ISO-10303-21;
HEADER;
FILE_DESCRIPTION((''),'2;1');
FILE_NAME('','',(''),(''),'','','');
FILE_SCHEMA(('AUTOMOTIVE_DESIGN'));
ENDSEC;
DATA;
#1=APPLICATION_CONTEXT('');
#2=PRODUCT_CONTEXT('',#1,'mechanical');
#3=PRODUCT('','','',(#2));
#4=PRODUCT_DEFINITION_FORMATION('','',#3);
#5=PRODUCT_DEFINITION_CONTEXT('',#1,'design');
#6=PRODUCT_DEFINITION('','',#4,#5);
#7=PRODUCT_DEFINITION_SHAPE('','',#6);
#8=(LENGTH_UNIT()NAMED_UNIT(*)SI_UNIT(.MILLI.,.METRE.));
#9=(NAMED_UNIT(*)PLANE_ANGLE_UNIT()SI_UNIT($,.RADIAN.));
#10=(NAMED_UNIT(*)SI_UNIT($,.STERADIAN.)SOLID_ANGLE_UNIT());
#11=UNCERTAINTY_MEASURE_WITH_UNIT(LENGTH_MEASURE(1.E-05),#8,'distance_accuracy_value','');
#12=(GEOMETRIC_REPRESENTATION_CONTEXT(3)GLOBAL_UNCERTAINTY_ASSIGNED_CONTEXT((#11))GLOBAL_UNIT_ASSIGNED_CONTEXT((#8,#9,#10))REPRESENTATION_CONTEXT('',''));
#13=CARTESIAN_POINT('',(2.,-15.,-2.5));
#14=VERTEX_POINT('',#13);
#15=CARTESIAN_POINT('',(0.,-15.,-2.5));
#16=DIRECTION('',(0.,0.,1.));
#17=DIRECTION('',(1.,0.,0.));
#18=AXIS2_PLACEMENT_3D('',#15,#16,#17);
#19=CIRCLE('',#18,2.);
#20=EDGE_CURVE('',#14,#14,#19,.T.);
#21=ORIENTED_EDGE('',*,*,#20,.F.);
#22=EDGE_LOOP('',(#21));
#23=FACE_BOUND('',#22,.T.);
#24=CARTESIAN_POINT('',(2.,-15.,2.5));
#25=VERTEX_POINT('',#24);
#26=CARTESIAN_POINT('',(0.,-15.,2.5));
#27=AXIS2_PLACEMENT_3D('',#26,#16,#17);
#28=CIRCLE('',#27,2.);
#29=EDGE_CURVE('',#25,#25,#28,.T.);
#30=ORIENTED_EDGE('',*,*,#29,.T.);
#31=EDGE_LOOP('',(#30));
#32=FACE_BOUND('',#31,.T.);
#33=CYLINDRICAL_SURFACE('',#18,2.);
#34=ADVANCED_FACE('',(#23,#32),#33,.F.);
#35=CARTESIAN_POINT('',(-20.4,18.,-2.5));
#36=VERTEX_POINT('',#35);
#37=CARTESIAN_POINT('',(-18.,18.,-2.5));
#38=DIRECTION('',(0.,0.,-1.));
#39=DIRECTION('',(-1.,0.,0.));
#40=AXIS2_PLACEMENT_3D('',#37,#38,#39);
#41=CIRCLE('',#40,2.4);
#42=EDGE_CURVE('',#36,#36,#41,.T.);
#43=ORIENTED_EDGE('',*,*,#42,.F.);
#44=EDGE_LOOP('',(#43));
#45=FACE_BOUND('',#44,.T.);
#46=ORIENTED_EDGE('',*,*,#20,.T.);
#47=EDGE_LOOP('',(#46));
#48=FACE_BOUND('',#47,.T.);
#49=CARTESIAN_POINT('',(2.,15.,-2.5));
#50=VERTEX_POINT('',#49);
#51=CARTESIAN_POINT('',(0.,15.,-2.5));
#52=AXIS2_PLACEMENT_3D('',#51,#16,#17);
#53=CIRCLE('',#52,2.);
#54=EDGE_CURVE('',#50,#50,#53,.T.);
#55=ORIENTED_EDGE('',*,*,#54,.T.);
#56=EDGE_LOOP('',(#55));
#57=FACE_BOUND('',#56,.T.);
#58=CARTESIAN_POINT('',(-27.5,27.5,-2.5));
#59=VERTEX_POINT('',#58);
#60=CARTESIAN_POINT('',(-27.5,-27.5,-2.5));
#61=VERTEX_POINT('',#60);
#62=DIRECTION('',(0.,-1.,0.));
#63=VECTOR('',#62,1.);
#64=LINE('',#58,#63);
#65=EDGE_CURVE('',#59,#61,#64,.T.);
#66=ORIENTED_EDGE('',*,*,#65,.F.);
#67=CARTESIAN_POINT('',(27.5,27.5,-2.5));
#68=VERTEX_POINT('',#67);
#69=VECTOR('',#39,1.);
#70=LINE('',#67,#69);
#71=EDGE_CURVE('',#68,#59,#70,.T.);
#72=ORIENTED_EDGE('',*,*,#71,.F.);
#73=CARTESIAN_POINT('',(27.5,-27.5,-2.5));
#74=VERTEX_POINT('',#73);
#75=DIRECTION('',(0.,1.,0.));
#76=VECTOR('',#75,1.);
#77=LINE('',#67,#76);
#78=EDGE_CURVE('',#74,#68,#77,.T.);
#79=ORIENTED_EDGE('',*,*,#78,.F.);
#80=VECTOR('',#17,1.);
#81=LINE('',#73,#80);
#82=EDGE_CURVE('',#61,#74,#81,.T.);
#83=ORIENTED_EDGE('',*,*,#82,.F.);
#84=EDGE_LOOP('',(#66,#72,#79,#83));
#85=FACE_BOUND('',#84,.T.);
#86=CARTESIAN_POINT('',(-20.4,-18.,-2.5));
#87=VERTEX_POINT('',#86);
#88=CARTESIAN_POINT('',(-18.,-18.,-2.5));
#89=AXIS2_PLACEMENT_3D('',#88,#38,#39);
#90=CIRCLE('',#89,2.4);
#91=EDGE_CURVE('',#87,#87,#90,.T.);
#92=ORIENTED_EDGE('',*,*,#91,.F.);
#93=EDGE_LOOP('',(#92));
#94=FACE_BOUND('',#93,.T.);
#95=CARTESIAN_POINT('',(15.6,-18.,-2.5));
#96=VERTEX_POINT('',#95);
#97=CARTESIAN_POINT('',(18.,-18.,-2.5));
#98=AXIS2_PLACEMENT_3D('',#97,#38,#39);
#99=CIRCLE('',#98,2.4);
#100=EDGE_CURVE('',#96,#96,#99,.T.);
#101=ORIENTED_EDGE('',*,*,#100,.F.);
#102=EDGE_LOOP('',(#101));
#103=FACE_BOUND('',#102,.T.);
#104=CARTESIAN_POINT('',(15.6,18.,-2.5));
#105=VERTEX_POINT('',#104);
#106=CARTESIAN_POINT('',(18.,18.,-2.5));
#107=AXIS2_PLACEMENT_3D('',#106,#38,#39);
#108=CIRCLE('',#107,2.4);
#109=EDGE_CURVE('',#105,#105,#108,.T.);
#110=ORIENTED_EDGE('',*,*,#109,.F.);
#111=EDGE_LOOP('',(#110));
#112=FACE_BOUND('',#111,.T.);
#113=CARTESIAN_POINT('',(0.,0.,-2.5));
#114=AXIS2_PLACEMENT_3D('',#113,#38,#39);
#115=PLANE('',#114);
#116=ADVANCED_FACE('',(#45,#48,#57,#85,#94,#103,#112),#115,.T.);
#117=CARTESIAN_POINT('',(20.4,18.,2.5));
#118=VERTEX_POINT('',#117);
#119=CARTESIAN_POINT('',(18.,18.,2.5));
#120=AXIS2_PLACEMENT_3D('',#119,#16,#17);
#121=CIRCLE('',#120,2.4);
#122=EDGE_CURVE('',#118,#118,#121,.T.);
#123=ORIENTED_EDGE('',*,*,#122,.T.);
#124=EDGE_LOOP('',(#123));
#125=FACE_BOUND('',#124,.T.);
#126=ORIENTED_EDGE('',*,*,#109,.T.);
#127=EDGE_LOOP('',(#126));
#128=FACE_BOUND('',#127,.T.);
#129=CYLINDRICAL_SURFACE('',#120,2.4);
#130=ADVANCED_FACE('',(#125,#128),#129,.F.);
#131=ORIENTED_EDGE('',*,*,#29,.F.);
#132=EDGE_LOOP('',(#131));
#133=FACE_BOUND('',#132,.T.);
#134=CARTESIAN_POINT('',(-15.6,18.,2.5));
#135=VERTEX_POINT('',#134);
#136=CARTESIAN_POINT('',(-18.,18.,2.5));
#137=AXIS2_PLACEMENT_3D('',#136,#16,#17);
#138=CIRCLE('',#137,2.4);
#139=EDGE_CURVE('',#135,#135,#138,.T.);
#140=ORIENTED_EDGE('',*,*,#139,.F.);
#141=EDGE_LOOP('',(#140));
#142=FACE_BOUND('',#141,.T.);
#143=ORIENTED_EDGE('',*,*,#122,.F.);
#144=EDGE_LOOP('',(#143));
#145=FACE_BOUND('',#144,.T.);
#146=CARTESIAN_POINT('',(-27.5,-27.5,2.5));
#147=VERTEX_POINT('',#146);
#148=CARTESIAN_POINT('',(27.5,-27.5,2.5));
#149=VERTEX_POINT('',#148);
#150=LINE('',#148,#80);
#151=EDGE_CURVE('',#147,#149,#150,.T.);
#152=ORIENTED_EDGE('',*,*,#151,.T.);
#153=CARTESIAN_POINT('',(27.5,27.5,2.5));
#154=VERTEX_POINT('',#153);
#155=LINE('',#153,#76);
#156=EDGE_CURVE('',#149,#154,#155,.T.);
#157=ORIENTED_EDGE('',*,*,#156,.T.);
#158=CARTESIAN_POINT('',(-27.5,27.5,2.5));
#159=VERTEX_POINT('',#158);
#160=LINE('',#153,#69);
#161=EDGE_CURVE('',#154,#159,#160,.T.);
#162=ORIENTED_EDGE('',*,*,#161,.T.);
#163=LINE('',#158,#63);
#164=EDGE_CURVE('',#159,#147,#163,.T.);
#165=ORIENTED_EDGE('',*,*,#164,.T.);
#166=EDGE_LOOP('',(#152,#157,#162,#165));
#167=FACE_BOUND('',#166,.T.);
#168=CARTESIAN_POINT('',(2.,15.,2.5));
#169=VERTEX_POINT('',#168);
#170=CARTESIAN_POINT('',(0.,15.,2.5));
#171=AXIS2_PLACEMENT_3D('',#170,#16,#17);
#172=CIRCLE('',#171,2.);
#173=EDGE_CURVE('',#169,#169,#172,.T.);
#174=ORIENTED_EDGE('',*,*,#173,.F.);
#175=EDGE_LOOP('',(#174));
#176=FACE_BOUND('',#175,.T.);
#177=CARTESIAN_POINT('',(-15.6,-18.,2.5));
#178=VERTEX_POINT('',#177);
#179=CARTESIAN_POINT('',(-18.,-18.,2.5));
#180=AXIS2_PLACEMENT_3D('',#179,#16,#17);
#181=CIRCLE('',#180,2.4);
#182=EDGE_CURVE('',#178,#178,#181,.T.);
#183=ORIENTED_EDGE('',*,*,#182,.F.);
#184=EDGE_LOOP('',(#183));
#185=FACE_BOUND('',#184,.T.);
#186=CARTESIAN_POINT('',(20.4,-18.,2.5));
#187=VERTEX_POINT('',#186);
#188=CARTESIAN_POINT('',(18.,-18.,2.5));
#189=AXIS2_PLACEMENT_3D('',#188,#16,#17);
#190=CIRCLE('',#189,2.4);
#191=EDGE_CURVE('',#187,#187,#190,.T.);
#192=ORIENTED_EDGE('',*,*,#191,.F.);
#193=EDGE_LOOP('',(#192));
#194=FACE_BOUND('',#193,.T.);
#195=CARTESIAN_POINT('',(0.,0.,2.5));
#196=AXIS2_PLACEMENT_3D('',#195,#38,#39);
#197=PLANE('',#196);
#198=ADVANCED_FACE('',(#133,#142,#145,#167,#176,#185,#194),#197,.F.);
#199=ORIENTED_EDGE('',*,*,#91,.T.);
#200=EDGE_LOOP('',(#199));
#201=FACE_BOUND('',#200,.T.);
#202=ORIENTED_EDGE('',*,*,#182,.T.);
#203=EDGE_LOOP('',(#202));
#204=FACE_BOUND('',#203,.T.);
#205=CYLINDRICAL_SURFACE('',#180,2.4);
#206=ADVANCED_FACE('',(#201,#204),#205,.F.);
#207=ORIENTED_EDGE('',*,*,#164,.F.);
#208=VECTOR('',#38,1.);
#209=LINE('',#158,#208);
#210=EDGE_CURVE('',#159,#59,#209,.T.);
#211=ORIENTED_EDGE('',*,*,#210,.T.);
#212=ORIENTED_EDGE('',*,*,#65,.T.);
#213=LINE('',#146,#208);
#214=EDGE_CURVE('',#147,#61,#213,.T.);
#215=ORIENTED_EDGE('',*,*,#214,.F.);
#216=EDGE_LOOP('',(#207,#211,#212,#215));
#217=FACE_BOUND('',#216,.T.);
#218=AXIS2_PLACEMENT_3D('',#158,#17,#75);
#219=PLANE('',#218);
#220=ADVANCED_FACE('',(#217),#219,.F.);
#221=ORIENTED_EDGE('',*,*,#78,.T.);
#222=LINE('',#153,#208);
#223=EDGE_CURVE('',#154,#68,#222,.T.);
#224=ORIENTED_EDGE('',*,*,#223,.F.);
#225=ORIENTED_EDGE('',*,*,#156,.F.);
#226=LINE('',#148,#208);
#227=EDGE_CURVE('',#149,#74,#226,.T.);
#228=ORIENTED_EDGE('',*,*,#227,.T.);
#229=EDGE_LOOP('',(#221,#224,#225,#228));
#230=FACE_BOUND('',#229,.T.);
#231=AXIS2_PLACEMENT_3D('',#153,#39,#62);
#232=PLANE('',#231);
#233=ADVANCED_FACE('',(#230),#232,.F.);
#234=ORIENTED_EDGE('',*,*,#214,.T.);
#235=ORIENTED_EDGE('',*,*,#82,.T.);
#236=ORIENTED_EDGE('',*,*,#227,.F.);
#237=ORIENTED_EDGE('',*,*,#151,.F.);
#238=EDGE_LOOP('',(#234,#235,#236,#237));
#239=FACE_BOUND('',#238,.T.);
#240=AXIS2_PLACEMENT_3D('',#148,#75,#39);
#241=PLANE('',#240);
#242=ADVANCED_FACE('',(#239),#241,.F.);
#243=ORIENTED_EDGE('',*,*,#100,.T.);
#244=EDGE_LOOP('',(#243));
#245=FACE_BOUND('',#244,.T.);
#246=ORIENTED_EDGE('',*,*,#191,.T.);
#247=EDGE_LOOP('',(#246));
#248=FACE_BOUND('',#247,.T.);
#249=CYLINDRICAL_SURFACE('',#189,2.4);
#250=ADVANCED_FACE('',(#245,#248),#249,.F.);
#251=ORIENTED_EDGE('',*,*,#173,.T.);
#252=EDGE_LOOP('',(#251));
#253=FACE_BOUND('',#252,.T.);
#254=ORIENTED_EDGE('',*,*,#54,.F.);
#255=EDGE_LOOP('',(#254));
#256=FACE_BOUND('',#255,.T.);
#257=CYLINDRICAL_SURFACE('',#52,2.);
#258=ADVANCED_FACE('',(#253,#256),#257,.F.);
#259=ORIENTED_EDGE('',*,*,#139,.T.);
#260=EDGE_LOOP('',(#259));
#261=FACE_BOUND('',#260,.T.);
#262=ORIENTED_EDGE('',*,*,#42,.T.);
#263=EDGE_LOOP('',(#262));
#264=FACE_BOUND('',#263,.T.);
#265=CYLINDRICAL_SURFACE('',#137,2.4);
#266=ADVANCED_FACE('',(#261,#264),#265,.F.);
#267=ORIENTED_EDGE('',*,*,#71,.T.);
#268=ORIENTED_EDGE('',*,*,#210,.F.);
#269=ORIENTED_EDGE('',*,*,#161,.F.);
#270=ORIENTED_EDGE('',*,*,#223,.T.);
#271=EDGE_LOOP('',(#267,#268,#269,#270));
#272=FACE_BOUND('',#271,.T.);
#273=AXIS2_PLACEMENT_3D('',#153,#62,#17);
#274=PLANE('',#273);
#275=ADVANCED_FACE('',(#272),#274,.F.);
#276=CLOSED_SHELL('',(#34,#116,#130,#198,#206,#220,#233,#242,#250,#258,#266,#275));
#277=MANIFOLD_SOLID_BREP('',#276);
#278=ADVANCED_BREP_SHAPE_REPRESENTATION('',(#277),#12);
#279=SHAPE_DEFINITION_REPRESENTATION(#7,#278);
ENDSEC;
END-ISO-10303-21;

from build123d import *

# Parameters (mm, degrees)
SKETCH1_W                  = 55
SKETCH1_H                  = 55
BOSS_EXTRUDE1_DEPTH        = 2.5
F_4_8_4_8_DIAMETER_HOLE1_D = 4.8
LPATTERN1_COUNT            = 2
LPATTERN1_PITCH            = 36
LPATTERN1_COUNT_DIR2       = 2
LPATTERN1_PITCH_DIR2       = 36
SKETCH4_R                  = 2
CUT_EXTRUDE1_DEPTH         = 40.210967853


with BuildPart() as part:
    # Sketch1 → Boss-Extrude1 (new, symmetric)
    with BuildSketch(Plane.XY):
        Rectangle(SKETCH1_W, SKETCH1_H)
    extrude(amount=BOSS_EXTRUDE1_DEPTH, both=True)

    # Ø4.8 (4.8) Diameter Hole1 (through all)
    with Locations(Plane.XY.offset(2.5)):
        with Locations((18, 18)):
            f_4_8_4_8_diameter_hole1 = Hole(F_4_8_4_8_DIAMETER_HOLE1_D / 2)

    # LPattern1: 4.8 _4.8_ Diameter Hole1 2 × 2
    with Locations(*[(-i * LPATTERN1_PITCH, -j * LPATTERN1_PITCH_DIR2, 0) for i in range(LPATTERN1_COUNT) for j in range(LPATTERN1_COUNT_DIR2) if (i, j) != (0, 0)]):
        add(f_4_8_4_8_diameter_hole1, mode=Mode.SUBTRACT)

    # Sketch4 → Cut-Extrude1 (cut, through all)
    with BuildSketch(Plane.XY.offset(2.5)):
        with Locations((0, 15)):
            Circle(SKETCH4_R)
        with Locations((0, -15)):
            Circle(SKETCH4_R)
    extrude(amount=-CUT_EXTRUDE1_DEPTH, mode=Mode.SUBTRACT)


solid = part.part
